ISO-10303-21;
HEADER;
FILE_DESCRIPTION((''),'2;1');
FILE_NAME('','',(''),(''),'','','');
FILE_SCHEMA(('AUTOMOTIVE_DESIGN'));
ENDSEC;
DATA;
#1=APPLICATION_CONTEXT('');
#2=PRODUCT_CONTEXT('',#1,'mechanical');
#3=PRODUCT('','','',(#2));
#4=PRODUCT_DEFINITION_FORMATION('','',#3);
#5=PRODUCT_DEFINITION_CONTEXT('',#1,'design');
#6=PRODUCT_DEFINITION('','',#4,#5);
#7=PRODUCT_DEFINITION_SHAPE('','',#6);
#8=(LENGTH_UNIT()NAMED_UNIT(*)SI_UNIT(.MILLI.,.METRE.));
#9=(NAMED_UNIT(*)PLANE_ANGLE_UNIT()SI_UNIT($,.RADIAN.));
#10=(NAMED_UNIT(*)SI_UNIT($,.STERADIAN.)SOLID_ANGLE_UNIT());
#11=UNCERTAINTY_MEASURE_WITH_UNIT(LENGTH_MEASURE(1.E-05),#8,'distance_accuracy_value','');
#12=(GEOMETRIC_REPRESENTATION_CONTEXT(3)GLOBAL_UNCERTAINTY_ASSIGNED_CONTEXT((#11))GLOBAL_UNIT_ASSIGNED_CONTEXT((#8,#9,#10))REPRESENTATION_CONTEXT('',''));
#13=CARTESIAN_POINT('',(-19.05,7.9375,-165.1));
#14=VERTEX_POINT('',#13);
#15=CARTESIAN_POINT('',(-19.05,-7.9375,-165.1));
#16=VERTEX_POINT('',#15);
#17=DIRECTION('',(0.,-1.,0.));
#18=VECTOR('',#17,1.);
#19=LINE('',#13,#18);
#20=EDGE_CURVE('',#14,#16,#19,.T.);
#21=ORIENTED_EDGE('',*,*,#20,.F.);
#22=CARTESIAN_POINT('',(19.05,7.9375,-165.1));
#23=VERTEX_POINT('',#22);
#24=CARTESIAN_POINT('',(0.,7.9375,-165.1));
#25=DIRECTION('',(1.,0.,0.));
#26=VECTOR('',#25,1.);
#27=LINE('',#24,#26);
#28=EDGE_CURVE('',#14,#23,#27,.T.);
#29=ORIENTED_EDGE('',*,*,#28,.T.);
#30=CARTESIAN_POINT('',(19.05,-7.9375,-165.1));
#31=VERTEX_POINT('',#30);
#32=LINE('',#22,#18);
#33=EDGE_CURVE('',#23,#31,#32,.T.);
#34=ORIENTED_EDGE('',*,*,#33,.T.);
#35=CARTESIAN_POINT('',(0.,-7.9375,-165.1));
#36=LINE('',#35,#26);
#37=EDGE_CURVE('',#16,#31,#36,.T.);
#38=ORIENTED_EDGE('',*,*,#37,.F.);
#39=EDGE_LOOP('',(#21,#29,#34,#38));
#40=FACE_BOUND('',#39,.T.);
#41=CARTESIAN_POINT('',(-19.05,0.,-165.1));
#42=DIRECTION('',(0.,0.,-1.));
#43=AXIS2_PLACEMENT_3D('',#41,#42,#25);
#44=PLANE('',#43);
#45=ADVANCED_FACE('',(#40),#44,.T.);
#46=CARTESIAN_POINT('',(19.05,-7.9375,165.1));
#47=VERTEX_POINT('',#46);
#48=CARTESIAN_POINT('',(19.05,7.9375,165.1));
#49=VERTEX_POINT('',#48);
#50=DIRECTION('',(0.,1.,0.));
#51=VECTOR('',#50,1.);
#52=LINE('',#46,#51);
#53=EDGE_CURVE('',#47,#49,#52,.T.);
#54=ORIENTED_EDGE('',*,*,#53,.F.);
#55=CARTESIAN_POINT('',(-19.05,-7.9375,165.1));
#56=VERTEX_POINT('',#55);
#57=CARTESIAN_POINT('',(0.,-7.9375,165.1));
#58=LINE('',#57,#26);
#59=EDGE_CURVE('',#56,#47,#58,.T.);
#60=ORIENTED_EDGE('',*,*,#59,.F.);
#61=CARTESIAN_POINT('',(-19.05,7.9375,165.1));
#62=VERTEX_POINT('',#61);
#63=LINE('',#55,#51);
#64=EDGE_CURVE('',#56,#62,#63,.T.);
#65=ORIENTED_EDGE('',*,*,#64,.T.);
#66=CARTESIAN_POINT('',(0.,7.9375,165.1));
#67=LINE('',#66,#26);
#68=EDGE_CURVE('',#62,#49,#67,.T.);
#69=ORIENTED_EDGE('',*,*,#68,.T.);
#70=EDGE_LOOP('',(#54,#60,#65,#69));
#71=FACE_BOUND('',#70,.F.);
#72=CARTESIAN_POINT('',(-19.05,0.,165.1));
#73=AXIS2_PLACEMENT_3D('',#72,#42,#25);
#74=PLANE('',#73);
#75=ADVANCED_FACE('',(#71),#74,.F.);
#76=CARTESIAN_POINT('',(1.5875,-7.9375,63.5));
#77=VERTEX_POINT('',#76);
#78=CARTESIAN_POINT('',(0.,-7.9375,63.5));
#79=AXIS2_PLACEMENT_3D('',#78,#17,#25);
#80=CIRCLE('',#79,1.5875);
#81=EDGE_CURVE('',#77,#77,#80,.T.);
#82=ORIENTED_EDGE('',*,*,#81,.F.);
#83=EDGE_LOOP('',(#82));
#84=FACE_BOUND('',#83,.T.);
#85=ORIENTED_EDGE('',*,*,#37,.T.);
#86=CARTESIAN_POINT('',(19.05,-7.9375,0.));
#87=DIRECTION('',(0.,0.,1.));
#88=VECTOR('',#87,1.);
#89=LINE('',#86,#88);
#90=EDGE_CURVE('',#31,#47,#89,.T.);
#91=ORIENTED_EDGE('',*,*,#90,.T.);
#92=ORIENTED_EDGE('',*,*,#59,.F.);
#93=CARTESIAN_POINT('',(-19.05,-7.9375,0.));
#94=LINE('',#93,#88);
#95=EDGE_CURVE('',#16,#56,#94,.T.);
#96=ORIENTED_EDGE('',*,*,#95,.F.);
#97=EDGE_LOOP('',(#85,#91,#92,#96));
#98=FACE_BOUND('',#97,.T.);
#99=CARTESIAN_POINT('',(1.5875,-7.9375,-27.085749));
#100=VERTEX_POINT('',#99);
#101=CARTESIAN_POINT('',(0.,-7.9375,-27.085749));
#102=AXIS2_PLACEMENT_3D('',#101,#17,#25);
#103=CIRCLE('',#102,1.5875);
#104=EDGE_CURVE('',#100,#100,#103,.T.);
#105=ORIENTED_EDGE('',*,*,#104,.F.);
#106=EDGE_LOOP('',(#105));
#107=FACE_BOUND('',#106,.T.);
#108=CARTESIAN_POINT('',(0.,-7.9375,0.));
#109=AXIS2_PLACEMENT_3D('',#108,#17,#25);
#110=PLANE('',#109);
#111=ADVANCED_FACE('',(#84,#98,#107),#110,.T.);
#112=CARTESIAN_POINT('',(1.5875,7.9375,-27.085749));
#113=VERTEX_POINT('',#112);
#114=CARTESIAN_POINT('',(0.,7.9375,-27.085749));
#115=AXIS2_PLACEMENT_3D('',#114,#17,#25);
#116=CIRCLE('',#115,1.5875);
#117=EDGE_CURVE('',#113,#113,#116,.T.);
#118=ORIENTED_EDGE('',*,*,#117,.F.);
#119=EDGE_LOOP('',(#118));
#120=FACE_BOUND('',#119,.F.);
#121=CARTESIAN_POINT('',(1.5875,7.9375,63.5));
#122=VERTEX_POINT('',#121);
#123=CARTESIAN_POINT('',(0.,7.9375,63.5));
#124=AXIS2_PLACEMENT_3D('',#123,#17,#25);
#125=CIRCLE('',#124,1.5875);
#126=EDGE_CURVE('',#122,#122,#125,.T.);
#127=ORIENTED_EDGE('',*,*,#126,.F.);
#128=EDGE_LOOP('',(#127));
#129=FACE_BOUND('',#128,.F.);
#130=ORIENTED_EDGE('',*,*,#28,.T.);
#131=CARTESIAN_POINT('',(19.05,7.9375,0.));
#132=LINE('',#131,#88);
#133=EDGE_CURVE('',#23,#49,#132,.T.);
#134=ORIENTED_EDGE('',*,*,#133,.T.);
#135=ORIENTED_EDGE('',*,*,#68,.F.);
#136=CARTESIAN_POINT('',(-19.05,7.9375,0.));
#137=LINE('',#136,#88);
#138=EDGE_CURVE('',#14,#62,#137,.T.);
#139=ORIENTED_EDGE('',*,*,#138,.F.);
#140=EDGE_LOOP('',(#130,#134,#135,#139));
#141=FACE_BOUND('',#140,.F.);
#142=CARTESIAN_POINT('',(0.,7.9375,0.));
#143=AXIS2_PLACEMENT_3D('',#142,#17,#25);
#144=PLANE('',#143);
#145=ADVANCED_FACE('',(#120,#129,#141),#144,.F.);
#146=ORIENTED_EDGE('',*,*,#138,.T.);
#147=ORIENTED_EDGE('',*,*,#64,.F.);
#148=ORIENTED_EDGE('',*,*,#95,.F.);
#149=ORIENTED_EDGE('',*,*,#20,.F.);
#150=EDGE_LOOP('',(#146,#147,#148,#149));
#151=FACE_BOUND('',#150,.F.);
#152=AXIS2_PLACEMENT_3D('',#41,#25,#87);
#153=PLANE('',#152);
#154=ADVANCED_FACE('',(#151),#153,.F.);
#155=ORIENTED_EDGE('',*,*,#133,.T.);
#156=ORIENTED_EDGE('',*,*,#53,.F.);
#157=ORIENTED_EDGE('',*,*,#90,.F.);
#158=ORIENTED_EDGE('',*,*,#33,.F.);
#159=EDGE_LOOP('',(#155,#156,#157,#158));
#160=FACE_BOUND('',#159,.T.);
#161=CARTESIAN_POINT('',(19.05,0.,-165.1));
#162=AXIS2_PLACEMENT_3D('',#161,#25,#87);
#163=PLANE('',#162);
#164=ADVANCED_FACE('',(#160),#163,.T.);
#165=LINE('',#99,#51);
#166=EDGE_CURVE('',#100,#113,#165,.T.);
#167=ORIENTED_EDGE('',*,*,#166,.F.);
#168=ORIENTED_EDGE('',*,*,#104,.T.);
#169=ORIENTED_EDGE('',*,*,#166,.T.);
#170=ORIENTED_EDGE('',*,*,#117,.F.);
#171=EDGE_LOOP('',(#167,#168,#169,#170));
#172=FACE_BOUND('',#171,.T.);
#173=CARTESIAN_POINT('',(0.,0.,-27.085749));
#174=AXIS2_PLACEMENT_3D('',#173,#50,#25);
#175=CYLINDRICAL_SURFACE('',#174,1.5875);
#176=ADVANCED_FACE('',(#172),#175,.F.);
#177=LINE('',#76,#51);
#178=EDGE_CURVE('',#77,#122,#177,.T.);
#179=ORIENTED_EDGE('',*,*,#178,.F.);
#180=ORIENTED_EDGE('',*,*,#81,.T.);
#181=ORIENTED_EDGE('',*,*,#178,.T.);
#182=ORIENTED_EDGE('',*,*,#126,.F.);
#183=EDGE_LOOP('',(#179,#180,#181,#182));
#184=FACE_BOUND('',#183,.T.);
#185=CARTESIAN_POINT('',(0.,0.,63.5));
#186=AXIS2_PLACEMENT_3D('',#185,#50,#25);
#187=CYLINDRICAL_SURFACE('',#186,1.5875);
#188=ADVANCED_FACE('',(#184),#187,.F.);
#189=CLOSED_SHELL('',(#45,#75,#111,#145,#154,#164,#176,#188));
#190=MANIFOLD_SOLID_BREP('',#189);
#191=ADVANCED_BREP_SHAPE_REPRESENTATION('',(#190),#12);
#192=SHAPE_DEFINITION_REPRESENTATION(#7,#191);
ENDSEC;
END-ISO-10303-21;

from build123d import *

# Parameters (mm, degrees)
F0_W     = 38.1
F0_H     = 330.2
F0_R     = 1.5875
F1_DEPTH = 7.9375


with BuildPart() as f1:
    # F0 (on Front) → F1 (new body, symmetric)
    with BuildSketch(Plane.XZ):
        Rectangle(F0_W, F0_H)
        with Locations((0, -27.085749)):
            Circle(F0_R, mode=Mode.SUBTRACT)
        with Locations((0, 63.5)):
            Circle(F0_R, mode=Mode.SUBTRACT)
    extrude(amount=F1_DEPTH, both=True)


solid = f1.part
